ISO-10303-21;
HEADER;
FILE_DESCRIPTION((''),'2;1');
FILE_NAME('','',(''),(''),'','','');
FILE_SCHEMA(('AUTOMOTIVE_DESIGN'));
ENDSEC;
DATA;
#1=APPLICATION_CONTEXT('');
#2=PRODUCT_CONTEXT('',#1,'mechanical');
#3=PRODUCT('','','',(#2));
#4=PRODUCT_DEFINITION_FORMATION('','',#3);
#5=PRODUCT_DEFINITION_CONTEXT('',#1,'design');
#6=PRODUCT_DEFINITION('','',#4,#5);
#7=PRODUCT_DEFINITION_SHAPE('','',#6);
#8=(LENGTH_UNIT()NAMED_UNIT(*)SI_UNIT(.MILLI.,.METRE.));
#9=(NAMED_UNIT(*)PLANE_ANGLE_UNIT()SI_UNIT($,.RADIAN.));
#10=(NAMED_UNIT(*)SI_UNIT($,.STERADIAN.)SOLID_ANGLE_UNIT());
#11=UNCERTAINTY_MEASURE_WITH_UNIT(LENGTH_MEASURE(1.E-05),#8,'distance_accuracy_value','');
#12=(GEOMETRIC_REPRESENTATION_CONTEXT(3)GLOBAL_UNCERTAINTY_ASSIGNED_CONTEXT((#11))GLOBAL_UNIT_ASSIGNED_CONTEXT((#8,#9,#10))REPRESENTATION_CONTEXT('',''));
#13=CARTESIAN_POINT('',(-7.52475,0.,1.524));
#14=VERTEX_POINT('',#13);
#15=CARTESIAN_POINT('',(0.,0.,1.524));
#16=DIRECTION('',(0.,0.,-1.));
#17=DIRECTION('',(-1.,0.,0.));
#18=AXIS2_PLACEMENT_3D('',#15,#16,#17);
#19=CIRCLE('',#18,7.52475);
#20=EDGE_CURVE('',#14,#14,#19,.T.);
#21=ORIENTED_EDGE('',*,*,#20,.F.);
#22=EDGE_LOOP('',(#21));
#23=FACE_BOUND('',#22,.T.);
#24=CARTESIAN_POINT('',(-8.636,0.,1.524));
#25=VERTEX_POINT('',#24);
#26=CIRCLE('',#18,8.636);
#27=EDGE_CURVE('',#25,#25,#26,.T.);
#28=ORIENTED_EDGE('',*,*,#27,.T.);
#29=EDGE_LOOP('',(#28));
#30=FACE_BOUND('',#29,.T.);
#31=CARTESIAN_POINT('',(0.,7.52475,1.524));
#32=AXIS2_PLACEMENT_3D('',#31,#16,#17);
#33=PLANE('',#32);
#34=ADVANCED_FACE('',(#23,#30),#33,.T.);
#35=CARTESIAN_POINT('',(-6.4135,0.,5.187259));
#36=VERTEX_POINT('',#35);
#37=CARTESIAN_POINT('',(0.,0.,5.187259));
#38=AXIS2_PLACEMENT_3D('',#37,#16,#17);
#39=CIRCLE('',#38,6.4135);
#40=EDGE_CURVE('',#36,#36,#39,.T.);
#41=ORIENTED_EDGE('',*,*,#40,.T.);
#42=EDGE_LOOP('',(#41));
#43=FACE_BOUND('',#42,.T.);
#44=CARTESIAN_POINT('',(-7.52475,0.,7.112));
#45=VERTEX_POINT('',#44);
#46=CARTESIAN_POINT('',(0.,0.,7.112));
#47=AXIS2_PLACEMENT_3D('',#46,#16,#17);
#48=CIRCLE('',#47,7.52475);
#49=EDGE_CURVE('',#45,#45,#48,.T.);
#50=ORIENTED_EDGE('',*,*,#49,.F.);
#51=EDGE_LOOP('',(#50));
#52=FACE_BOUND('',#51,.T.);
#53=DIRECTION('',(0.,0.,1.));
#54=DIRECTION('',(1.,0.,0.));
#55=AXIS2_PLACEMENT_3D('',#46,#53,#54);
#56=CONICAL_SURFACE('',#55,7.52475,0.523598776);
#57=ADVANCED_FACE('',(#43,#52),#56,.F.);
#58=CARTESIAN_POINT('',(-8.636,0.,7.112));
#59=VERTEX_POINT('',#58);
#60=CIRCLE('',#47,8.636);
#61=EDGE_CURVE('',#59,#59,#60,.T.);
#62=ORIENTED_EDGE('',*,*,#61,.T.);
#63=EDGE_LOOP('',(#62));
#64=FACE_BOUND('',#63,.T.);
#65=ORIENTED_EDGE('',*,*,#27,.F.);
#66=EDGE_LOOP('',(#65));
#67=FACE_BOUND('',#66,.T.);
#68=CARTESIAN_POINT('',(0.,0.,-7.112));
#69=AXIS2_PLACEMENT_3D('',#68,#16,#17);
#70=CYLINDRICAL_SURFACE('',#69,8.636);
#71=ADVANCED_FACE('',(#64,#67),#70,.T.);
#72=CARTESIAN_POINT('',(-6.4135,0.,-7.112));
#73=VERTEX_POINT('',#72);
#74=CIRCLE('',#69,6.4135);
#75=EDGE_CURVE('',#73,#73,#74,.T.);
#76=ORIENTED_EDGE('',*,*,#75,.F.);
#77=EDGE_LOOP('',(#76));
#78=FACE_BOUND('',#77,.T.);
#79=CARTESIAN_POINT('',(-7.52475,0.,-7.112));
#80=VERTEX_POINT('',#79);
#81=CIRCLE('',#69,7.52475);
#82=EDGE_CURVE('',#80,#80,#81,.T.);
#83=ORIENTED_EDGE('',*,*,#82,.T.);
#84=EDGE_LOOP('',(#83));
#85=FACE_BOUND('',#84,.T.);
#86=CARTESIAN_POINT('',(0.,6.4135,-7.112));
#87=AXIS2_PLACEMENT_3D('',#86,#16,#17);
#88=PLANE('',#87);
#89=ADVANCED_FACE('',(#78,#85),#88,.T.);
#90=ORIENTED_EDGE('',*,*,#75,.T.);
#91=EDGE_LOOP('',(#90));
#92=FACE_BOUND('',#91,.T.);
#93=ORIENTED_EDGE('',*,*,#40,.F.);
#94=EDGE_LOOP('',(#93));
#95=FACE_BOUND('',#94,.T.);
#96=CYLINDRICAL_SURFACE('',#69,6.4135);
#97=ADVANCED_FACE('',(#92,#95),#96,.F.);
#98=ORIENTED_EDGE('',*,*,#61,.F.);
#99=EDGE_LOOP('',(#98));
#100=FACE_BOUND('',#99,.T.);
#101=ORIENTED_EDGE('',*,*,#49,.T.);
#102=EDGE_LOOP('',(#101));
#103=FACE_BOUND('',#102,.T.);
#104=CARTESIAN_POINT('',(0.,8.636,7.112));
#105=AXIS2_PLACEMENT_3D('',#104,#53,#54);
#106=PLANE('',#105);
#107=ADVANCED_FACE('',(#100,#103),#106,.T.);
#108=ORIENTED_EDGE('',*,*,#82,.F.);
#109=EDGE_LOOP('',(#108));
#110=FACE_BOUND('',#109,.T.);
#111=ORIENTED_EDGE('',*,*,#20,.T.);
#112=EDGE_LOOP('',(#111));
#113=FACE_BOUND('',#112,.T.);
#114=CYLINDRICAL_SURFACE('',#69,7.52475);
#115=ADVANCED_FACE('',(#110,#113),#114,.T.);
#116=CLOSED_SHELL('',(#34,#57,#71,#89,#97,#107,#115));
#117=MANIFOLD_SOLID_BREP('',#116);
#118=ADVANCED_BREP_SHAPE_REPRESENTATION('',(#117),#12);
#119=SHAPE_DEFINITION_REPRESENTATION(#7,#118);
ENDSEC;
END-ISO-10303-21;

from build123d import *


with BuildPart() as part:
    # Sketch1 → Revolve1 (revolve)
    with BuildSketch(Plane(origin=(0, 0, 0), x_dir=(0, 0, -1), z_dir=(1, 0, 0)), mode=Mode.PRIVATE) as revolve1_sk:
        Polygon((-7.112, 7.52475), (-5.18725854, 6.4135), (7.112, 6.4135), (7.112, 7.52475), (-1.524, 7.52475), (-1.524, 8.636), (-7.112, 8.636), align=None)
    revolve(revolve1_sk.sketch.rotate(Axis((0, 0, -7.112), (0, 0, 1)), 90), axis=Axis((0, 0, -7.112), (0, 0, 1)))


solid = part.part
